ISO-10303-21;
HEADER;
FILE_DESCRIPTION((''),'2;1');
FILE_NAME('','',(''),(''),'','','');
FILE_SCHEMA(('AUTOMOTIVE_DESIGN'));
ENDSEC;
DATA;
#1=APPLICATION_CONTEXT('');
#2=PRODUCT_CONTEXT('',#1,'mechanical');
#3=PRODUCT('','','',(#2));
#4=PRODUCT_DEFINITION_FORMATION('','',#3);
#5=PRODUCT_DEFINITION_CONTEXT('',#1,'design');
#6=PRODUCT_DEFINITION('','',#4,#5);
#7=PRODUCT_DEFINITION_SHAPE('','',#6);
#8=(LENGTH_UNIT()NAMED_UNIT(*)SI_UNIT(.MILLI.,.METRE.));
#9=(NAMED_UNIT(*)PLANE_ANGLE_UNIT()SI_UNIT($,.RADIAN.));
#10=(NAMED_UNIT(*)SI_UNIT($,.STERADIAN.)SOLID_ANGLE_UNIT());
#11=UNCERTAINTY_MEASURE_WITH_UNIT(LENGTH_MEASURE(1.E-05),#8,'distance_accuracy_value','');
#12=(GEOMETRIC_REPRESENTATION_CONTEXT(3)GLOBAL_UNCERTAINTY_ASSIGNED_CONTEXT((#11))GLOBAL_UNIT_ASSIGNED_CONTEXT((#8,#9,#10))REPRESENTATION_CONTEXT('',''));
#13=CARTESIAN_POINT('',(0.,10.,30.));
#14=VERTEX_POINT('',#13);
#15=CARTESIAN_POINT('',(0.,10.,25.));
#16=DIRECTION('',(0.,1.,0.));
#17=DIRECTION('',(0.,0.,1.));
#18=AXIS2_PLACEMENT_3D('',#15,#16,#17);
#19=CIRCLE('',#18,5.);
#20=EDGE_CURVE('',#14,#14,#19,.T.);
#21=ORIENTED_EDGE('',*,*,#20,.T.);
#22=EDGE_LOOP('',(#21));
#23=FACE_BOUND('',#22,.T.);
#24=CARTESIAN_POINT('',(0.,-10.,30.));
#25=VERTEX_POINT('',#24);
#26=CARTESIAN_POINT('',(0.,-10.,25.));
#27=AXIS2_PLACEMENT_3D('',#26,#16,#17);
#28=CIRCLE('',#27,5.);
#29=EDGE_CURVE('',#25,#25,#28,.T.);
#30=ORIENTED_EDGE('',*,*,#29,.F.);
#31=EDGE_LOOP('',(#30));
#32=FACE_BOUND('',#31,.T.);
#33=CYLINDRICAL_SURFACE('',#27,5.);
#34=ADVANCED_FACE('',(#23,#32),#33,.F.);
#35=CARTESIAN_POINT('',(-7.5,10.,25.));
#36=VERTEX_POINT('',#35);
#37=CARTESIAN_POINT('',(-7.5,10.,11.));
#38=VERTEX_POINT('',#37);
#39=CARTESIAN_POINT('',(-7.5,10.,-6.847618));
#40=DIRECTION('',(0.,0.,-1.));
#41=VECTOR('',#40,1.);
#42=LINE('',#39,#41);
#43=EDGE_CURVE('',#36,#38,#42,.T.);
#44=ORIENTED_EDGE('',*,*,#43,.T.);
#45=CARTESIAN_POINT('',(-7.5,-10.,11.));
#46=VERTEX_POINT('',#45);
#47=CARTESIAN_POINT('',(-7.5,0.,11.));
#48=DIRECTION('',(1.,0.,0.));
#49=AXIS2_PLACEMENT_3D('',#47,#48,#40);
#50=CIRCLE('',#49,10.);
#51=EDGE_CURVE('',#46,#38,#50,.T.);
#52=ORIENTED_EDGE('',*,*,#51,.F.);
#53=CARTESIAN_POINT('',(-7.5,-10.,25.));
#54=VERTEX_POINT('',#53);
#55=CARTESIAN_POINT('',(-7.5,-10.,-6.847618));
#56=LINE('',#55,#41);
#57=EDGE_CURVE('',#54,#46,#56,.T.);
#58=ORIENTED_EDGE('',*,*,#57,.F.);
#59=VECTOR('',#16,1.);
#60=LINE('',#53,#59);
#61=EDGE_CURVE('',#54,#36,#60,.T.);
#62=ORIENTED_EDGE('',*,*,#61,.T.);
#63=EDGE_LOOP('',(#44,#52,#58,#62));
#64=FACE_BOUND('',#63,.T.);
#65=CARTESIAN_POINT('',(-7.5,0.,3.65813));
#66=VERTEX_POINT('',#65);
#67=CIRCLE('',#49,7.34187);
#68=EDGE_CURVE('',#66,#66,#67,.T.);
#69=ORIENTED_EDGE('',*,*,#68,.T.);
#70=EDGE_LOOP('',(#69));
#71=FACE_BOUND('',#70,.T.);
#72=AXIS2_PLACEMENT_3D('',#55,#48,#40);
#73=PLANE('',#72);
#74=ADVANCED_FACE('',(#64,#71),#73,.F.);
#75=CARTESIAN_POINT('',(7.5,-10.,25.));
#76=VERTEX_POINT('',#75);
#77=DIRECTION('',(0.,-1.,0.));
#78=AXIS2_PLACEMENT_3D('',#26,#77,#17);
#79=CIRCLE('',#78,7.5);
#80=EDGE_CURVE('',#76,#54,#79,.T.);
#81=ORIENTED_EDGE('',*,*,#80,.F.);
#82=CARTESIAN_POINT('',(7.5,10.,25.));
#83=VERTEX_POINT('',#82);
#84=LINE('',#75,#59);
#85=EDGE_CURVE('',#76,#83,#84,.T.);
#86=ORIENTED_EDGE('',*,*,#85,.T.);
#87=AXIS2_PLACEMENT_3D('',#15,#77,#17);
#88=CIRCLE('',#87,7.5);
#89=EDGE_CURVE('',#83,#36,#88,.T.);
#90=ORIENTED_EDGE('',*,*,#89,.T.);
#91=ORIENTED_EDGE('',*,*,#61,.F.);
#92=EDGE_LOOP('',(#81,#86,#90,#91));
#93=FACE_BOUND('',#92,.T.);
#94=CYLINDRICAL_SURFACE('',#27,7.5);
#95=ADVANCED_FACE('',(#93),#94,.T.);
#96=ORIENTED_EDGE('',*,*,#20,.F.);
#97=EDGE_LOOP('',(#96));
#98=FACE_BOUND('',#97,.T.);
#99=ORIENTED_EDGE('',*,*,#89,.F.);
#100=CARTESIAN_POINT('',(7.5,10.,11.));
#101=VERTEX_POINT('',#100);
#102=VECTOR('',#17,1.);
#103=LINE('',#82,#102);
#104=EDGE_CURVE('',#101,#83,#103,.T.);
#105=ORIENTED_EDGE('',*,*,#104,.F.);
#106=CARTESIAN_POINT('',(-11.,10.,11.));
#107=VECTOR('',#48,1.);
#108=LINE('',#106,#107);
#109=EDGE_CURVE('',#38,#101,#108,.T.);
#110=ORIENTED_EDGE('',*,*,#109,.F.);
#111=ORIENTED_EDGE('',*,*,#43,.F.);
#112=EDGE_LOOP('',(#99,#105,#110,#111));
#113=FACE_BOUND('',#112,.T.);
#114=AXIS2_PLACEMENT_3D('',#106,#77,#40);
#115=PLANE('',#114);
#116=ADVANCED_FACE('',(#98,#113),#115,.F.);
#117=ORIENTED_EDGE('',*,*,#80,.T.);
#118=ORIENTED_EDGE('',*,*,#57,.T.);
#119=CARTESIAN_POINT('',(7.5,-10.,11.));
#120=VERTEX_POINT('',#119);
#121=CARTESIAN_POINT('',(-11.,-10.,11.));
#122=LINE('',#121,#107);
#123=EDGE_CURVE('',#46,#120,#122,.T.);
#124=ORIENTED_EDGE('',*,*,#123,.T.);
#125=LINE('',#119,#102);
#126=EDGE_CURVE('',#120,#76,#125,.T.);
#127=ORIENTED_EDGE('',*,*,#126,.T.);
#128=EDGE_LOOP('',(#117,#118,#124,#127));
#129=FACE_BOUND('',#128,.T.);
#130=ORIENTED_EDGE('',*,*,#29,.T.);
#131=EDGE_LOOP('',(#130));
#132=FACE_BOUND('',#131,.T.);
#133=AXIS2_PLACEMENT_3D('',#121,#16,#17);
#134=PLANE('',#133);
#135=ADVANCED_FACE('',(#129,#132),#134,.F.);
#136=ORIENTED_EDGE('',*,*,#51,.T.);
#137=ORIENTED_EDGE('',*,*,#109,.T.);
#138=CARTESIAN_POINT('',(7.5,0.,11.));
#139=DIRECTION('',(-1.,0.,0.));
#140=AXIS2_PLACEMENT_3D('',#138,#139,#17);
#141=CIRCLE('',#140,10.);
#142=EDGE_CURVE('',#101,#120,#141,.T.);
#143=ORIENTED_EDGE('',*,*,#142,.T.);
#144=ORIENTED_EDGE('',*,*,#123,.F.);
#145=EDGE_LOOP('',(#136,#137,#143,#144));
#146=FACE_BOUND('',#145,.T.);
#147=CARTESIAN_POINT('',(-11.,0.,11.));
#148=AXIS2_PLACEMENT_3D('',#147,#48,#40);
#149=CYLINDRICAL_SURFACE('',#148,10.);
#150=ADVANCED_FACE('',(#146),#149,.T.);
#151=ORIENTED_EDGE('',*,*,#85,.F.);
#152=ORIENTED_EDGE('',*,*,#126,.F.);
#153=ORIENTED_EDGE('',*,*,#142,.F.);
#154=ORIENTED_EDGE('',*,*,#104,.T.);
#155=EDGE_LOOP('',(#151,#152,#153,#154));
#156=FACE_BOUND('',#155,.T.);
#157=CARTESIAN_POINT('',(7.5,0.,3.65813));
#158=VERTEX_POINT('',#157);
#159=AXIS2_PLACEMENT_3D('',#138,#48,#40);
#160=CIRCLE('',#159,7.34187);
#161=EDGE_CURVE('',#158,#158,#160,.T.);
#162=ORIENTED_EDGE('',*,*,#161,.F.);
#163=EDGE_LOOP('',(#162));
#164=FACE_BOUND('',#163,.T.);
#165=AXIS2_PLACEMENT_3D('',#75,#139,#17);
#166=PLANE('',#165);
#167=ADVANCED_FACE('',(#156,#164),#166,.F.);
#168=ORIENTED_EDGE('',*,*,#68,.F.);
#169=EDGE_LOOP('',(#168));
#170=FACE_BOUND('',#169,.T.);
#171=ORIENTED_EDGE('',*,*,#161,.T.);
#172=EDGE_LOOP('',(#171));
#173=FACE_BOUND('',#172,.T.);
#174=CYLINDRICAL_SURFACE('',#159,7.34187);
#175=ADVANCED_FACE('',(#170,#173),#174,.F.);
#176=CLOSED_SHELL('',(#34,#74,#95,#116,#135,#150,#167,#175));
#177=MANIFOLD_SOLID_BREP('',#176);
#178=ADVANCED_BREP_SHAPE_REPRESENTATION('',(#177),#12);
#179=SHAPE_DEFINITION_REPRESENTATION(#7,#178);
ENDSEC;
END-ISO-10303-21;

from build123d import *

# Parameters (mm, degrees)
SKETCH1_W               = 22
SKETCH1_H               = 22
EXTRUDE1_DEPTH          = 40
EXTRUDE2_DEPTH          = 12
EXTRUDE2_DEPTH_BACK     = 12
SKETCH3_R               = 5
EXTRUDE3_DEPTH          = 11
EXTRUDE3_DEPTH_BACK     = 11
F_5_8_18_TAPPED_HOLE1_D = 14.68374


with BuildPart() as part:
    # Sketch1 → Extrude1 (new body)
    with BuildSketch(Plane.XY):
        Rectangle(SKETCH1_W, SKETCH1_H)
    extrude(amount=EXTRUDE1_DEPTH)

    # Sketch2 → Extrude2 (cut, two sides)
    with BuildSketch(Plane(origin=(0, 0, 0), x_dir=(0, 0, -1), z_dir=(1, 0, 0))) as extrude2_sk:
        with BuildLine():
            Line((-11, -10), (-49.420419849, -10))
            Line((-49.420419849, -10), (-49.420419849, -16.887372299))
            Line((-49.420419849, -16.887372299), (-11, -16.887372299))
            Line((-11, -16.887372299), (8.616222101, -16.887372299))
            Line((8.616222101, -16.887372299), (8.616222101, 23.046405641))
            Line((8.616222101, 23.046405641), (-11, 23.046405641))
            Line((-11, 23.046405641), (-49.420419849, 23.046405641))
            Line((-49.420419849, 23.046405641), (-49.420419849, 10))
            Line((-49.420419849, 10), (-11, 10))
            ThreePointArc((-11, 10), (-1, 0), (-11, -10))
        make_face()
    extrude(amount=EXTRUDE2_DEPTH, mode=Mode.SUBTRACT)
    extrude(extrude2_sk.sketch, amount=-EXTRUDE2_DEPTH_BACK, mode=Mode.SUBTRACT)

    # Sketch3 → Extrude3 (cut, two sides)
    with BuildSketch(Plane(origin=(0, 0, 0), x_dir=(1, 0, 0), z_dir=(0, 1, 0))) as extrude3_sk:
        with Locations((0, -25)):
            Circle(SKETCH3_R)
        with BuildLine():
            Line((-18.844545226, 6.847618329), (-7.5, 6.847618329))
            Line((-7.5, 6.847618329), (-7.5, -25))
            ThreePointArc((-7.5, -25), (0, -32.5), (7.5, -25))
            Line((7.5, -25), (7.5, 6.847618329))
            Line((7.5, 6.847618329), (23.30888992, 6.847618329))
            Line((23.30888992, 6.847618329), (23.30888992, -44.330247861))
            Line((23.30888992, -44.330247861), (-18.844545226, -44.330247861))
            Line((-18.844545226, -44.330247861), (-18.844545226, 6.847618329))
        make_face()
    extrude(amount=EXTRUDE3_DEPTH, mode=Mode.SUBTRACT)
    extrude(extrude3_sk.sketch, amount=-EXTRUDE3_DEPTH_BACK, mode=Mode.SUBTRACT)

    # 5/8-18 Tapped Hole1 (through all)
    with Locations(Plane(origin=(7.5, 0, 0), x_dir=(0, 0, -1), z_dir=(1, 0, 0))):
        with Locations((-11, 0)):
            Hole(F_5_8_18_TAPPED_HOLE1_D / 2)


solid = part.part
